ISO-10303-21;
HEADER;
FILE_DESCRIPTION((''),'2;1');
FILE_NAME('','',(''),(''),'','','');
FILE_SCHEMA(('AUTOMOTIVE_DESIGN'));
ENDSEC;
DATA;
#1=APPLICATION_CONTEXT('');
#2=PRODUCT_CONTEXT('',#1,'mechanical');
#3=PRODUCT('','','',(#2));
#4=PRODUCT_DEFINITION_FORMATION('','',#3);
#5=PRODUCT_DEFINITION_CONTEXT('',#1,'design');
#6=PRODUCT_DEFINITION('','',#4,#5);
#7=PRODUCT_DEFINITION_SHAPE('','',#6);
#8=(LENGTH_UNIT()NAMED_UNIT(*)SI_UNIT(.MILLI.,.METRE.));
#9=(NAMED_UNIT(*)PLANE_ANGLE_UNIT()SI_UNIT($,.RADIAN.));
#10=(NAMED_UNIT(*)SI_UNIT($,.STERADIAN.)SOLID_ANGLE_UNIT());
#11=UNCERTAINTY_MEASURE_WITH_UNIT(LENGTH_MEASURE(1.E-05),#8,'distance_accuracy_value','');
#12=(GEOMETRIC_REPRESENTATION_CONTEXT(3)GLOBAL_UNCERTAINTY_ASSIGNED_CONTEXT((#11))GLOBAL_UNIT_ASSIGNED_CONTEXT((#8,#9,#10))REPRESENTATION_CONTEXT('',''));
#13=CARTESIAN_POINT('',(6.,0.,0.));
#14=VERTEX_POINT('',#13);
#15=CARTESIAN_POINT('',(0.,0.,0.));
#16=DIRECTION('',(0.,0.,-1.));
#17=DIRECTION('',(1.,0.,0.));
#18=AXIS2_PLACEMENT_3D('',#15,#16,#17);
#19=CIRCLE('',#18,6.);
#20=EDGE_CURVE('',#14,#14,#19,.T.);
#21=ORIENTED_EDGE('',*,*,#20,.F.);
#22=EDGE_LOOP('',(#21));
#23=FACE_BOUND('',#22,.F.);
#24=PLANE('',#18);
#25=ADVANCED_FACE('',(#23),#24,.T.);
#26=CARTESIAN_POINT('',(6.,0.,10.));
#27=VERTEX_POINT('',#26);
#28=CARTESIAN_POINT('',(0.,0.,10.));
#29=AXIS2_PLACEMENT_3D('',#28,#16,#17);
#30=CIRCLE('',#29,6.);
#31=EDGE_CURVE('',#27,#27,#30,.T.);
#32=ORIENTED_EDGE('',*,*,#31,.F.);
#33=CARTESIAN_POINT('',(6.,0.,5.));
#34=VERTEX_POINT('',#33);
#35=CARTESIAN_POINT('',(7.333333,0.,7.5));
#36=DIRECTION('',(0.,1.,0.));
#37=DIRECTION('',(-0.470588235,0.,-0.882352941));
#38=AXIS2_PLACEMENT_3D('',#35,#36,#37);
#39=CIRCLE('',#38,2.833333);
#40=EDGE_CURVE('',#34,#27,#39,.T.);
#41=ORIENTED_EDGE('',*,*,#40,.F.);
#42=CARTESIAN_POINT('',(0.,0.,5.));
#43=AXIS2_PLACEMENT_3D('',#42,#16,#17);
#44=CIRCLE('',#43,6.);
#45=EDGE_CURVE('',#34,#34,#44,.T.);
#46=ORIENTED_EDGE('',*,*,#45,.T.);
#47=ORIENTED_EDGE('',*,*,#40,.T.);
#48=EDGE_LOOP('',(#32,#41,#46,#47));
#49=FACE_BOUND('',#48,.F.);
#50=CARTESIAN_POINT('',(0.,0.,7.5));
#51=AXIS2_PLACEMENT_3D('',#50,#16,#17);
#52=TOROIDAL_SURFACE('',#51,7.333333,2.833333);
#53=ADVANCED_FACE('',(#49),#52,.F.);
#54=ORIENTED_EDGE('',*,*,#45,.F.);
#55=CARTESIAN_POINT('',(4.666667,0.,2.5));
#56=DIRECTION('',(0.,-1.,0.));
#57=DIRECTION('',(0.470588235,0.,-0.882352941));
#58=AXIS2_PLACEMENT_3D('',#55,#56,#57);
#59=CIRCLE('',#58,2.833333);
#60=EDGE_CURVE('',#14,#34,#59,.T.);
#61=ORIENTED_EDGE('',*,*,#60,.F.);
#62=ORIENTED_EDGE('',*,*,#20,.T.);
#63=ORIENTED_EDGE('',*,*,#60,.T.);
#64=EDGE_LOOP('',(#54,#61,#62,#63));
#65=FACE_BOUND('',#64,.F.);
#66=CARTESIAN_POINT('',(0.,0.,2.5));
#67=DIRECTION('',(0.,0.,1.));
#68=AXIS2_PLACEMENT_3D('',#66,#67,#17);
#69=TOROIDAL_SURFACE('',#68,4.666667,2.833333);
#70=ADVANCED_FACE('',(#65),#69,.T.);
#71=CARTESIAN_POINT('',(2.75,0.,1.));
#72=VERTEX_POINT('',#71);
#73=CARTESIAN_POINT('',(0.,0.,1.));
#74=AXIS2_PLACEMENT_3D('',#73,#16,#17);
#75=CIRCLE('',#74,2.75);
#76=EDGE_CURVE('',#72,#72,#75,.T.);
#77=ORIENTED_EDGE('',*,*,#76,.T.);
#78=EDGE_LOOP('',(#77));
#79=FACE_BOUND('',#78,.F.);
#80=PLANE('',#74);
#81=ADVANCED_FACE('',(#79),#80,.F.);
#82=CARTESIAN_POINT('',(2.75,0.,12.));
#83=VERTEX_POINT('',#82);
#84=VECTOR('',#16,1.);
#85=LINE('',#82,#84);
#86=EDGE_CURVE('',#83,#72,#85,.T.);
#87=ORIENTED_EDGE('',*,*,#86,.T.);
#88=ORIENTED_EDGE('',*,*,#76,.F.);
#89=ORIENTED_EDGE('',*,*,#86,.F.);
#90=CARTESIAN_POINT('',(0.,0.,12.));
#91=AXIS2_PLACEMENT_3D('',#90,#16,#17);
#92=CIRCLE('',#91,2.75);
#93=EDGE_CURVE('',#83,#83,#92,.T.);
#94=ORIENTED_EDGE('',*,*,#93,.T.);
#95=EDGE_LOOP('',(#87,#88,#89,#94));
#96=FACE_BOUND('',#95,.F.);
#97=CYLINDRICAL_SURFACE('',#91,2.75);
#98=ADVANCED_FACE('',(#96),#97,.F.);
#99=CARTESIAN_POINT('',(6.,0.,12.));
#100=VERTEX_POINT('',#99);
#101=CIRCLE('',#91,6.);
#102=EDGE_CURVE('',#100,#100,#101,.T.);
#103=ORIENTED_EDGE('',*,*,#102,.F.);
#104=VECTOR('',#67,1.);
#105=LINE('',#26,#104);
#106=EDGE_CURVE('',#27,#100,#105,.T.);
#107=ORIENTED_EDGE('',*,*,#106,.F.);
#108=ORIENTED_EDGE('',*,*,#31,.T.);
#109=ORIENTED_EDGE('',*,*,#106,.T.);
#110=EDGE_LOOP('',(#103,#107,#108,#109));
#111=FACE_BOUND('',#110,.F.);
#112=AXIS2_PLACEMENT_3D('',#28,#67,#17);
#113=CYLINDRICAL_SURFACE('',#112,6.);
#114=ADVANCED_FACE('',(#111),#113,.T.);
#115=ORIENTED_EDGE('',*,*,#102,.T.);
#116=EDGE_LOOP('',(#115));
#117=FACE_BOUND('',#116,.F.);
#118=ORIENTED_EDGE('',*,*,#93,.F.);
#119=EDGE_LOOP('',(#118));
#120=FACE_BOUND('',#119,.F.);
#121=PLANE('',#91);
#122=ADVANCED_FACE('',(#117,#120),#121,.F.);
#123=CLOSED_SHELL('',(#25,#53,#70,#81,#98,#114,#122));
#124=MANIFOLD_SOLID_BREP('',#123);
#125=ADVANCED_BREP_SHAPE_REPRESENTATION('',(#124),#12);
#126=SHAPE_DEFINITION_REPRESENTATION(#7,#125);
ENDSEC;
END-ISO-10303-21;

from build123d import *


with BuildPart() as f1:
    # F0 (on Front) → F1 (revolve)
    with BuildSketch(Plane.XZ):
        with BuildLine():
            Line((0, 1), (0, 0))
            Line((0, 0), (6, 0))
            ThreePointArc((6, 0), (7.5, 2.5), (6, 5))
            ThreePointArc((6, 5), (4.5, 7.5), (6, 10))
            Line((6, 10), (6, 12))
            Line((6, 12), (2.75, 12))
            Line((2.75, 12), (2.75, 1))
            Line((2.75, 1), (0, 1))
        make_face()
    revolve(axis=Axis((0, 0, 0.5), (0, 0, -1)))


solid = f1.part
